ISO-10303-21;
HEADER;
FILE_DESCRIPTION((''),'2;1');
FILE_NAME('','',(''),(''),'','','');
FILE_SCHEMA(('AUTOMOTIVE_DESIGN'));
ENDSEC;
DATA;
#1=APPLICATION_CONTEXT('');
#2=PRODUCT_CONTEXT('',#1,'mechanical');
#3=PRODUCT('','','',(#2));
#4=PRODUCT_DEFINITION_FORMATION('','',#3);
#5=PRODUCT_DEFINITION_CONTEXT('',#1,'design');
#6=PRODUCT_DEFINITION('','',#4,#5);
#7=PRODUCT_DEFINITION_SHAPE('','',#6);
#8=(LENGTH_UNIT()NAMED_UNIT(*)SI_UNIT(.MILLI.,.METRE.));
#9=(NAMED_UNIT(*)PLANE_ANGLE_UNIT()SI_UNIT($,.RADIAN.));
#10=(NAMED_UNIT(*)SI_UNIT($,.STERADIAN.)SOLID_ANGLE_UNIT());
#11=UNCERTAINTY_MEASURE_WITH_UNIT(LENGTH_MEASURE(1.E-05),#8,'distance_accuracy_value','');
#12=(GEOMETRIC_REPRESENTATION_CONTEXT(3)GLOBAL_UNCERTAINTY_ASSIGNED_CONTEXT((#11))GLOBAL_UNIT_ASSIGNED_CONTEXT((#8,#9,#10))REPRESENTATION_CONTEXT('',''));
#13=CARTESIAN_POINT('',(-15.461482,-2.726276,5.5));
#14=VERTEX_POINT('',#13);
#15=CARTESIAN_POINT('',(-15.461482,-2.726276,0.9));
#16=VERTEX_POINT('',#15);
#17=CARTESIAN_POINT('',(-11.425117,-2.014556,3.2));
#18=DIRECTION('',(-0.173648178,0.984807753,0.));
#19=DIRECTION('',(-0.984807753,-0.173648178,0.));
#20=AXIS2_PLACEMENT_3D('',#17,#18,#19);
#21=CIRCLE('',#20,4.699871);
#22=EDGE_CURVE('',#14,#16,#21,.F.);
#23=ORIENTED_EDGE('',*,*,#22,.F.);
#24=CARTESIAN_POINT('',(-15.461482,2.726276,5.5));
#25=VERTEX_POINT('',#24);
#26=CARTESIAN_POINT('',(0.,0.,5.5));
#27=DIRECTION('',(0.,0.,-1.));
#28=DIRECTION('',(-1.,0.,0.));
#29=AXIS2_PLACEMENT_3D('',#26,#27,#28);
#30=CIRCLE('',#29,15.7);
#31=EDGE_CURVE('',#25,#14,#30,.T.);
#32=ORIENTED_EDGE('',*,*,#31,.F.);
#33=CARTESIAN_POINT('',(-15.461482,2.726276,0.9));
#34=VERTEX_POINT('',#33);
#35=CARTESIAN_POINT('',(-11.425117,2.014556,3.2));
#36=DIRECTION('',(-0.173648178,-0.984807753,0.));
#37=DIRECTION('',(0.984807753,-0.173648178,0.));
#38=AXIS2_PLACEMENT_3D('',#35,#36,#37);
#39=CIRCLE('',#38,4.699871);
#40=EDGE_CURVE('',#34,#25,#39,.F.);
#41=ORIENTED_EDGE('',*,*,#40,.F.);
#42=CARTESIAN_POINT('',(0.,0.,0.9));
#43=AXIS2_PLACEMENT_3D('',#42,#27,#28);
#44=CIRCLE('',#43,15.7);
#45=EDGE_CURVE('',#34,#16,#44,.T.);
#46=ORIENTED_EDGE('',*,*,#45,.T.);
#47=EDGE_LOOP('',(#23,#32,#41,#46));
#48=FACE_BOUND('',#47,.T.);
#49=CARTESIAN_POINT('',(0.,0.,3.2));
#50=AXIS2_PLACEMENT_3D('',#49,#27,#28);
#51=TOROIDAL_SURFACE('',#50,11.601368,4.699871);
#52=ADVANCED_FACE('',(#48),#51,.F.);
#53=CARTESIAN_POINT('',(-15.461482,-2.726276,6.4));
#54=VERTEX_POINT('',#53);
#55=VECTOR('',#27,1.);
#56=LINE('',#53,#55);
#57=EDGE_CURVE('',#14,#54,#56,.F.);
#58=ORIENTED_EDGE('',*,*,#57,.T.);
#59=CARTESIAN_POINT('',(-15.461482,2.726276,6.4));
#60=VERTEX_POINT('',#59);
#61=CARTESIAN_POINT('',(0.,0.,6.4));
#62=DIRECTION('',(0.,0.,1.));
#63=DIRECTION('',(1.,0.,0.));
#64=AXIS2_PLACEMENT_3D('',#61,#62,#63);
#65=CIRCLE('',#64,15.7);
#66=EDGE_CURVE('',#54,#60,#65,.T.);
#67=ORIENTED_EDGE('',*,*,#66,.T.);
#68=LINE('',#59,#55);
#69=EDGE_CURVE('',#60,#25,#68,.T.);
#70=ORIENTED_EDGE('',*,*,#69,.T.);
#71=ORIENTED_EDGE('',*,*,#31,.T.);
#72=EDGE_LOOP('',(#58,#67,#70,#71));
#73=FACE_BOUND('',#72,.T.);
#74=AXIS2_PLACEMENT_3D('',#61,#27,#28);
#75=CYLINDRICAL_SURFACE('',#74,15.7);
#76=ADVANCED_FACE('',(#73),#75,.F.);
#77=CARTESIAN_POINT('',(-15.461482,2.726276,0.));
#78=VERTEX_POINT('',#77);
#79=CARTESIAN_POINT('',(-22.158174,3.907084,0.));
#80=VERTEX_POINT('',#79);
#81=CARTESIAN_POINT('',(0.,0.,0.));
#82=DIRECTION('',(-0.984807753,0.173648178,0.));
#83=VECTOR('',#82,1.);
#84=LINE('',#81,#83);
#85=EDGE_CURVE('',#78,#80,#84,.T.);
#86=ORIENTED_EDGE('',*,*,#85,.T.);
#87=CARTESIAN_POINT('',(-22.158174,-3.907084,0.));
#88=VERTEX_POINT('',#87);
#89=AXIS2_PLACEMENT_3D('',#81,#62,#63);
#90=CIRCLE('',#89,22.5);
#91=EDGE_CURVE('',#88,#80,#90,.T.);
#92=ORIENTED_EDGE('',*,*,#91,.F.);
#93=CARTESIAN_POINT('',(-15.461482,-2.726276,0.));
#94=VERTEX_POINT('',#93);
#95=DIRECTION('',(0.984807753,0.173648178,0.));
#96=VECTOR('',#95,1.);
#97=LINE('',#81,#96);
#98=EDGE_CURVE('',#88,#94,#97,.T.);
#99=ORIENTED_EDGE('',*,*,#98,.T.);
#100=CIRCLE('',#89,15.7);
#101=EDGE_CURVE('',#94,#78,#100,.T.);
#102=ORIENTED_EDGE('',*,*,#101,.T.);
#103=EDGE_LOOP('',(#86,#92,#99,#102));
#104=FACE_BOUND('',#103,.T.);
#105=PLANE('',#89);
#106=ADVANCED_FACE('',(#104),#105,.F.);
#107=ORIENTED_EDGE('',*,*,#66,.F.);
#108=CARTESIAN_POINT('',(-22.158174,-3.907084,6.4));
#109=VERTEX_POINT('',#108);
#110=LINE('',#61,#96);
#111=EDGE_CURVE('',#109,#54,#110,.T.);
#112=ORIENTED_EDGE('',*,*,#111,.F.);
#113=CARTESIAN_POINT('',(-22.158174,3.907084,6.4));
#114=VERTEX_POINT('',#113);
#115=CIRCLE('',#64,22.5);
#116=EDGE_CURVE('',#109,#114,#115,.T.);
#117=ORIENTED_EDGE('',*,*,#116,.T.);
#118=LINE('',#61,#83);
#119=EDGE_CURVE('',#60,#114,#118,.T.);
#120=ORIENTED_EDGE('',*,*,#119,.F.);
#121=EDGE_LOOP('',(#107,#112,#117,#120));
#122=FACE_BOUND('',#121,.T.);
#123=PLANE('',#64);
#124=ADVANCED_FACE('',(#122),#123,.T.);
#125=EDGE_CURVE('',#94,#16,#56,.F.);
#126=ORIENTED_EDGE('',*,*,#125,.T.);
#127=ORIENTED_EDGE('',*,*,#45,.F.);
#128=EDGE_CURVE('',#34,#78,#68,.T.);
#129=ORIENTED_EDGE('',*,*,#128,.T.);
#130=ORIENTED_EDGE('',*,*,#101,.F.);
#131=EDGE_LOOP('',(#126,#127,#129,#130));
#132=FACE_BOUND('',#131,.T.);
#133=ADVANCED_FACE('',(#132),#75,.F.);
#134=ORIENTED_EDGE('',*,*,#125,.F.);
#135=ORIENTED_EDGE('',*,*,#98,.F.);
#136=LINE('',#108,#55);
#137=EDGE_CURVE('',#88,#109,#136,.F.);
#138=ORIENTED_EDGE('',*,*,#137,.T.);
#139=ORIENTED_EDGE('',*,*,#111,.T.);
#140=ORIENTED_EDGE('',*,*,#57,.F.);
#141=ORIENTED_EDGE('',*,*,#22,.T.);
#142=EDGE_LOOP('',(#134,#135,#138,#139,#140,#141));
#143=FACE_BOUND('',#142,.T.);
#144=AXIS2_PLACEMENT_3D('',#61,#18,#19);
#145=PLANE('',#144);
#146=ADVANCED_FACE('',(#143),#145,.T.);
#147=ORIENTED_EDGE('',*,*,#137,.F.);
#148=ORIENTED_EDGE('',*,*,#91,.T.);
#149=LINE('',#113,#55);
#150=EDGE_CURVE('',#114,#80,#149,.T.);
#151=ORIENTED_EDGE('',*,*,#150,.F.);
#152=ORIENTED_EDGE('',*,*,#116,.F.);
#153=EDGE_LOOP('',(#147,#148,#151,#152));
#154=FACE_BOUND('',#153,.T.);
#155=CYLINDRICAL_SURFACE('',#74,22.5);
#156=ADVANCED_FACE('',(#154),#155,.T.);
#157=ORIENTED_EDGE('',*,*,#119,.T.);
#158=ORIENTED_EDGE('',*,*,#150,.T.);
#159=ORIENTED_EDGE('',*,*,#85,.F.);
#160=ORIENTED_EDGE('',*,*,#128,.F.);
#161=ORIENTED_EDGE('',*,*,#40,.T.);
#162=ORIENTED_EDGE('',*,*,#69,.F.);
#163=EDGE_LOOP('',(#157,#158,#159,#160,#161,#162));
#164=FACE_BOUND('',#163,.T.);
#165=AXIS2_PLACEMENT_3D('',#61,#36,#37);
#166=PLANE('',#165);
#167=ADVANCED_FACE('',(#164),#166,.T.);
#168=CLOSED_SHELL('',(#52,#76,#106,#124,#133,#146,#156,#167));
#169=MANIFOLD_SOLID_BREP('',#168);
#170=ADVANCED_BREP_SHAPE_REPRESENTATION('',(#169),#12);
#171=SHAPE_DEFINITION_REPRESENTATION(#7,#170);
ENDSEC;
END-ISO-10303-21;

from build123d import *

# Parameters (mm, degrees)
SKETCH1_R           = 22.5
SKETCH1_R_2         = 15.7
BOSS_EXTRUDE1_DEPTH = 6.4
CUT_EXTRUDE1_DEPTH  = 33.457048541


with BuildPart() as part:
    # Sketch1 → Boss-Extrude1 (new body)
    with BuildSketch(Plane.XY):
        Circle(SKETCH1_R)
        Circle(SKETCH1_R_2, mode=Mode.SUBTRACT)
    extrude(amount=BOSS_EXTRUDE1_DEPTH)

    # Sketch2 → Cut-Extrude1 (cut, through all)
    with BuildSketch(Plane.XY):
        Polygon((0, 0), (-29.645546143, 5.227309643), (-29.645546143, -5.227309643), align=None)
    extrude(amount=CUT_EXTRUDE1_DEPTH, mode=Mode.SUBTRACT)

    # Sketch5 → Cut-Revolve1 (revolve, cut)
    with BuildSketch(Plane(origin=(0, 0, 0), x_dir=(-0.984807753012197, 0.1736481776669938, 0), z_dir=(-0.1736481776669938, -0.984807753012197, 0))):
        with BuildLine():
            Line((15.7, -0.9), (15.7, -5.5))
            ThreePointArc((15.7, -5.5), (16.301238658, -3.2), (15.7, -0.9))
        make_face()
    revolve(axis=Axis((0, 0, -0.32), (0, 0, 1)), mode=Mode.SUBTRACT)


solid = part.part
